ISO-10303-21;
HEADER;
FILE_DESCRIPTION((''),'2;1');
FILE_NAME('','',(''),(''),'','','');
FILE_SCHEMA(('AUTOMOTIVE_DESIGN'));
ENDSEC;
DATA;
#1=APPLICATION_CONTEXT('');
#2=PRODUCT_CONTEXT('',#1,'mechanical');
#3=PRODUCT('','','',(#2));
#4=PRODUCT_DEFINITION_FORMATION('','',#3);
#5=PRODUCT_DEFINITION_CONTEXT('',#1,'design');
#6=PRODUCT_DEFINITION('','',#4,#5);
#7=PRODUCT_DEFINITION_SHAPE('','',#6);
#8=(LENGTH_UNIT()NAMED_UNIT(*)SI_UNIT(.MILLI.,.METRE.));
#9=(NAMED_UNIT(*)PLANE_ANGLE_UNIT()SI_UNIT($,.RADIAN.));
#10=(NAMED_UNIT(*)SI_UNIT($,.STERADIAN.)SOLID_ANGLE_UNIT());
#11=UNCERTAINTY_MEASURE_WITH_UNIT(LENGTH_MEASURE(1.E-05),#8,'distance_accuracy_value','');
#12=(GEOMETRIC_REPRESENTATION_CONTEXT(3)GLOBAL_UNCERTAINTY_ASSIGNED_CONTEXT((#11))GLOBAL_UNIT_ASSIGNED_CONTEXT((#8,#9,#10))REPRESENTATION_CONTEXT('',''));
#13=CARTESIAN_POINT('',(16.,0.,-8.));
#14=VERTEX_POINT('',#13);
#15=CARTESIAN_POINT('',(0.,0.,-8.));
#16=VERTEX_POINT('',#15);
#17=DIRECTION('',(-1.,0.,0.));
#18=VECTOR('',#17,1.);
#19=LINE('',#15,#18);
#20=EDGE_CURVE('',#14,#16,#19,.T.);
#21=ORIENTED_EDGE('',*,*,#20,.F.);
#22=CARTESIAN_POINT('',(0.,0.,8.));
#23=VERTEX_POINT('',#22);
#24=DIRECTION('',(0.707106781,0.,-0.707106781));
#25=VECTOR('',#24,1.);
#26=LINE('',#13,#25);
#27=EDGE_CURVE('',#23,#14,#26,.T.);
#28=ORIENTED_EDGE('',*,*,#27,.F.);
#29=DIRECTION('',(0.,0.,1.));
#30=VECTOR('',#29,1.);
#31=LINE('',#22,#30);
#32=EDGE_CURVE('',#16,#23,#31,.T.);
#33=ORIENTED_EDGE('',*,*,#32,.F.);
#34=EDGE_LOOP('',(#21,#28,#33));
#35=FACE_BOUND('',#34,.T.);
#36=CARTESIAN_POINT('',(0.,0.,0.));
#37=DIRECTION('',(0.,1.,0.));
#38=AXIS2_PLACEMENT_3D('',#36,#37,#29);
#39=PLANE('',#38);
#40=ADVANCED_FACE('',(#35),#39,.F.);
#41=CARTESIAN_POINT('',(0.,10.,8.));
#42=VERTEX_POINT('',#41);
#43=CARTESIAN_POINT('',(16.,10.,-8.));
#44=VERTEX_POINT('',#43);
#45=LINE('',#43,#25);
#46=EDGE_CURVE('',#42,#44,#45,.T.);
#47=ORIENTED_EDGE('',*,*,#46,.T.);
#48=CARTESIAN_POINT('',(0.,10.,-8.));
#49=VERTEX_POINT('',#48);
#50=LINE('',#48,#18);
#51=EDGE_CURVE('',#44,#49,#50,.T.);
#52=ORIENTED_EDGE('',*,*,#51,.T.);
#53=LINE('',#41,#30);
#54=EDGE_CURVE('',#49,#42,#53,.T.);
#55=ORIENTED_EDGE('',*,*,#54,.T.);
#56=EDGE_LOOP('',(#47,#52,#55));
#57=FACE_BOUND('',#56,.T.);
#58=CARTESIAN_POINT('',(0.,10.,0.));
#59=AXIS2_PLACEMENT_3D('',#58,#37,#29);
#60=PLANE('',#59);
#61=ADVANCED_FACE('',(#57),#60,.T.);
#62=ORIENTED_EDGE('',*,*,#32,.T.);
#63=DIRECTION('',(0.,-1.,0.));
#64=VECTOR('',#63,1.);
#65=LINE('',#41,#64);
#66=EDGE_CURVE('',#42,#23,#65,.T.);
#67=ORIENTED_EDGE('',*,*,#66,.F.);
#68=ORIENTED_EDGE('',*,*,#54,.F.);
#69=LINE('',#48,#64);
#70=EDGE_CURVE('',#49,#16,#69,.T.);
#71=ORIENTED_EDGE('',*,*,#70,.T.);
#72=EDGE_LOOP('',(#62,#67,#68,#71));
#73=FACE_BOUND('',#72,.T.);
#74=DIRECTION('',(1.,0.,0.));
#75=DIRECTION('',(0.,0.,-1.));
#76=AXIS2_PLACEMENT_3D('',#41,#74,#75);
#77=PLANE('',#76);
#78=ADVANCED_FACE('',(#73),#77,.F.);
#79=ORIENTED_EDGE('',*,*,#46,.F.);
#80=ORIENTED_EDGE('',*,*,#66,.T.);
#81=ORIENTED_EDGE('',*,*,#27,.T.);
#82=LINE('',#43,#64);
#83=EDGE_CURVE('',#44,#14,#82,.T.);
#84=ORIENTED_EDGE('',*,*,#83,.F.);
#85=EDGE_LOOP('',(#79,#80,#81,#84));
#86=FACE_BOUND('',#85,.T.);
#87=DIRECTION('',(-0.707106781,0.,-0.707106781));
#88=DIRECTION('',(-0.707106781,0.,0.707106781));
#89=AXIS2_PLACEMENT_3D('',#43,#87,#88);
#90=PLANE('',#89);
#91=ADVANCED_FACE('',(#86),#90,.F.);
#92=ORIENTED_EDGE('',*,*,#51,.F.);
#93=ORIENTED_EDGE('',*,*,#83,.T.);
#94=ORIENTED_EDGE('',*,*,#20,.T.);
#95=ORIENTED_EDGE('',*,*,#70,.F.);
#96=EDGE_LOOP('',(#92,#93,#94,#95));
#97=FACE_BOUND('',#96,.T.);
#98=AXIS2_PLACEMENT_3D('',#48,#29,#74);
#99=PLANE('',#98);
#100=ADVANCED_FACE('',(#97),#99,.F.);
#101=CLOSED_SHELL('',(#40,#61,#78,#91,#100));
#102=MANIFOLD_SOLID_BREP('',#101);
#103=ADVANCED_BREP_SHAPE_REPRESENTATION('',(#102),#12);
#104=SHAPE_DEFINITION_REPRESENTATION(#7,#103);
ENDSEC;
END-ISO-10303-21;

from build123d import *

# Parameters (mm, degrees)
BOSS_EXTRUDE1_DEPTH = 10


with BuildPart() as part:
    # Sketch1 → Boss-Extrude1 (new body)
    with BuildSketch(Plane(origin=(0, 0, 0), x_dir=(1, 0, 0), z_dir=(0, 1, 0))):
        Polygon((0, -8), (0, 8), (16, 8), align=None)
    extrude(amount=BOSS_EXTRUDE1_DEPTH)


solid = part.part
